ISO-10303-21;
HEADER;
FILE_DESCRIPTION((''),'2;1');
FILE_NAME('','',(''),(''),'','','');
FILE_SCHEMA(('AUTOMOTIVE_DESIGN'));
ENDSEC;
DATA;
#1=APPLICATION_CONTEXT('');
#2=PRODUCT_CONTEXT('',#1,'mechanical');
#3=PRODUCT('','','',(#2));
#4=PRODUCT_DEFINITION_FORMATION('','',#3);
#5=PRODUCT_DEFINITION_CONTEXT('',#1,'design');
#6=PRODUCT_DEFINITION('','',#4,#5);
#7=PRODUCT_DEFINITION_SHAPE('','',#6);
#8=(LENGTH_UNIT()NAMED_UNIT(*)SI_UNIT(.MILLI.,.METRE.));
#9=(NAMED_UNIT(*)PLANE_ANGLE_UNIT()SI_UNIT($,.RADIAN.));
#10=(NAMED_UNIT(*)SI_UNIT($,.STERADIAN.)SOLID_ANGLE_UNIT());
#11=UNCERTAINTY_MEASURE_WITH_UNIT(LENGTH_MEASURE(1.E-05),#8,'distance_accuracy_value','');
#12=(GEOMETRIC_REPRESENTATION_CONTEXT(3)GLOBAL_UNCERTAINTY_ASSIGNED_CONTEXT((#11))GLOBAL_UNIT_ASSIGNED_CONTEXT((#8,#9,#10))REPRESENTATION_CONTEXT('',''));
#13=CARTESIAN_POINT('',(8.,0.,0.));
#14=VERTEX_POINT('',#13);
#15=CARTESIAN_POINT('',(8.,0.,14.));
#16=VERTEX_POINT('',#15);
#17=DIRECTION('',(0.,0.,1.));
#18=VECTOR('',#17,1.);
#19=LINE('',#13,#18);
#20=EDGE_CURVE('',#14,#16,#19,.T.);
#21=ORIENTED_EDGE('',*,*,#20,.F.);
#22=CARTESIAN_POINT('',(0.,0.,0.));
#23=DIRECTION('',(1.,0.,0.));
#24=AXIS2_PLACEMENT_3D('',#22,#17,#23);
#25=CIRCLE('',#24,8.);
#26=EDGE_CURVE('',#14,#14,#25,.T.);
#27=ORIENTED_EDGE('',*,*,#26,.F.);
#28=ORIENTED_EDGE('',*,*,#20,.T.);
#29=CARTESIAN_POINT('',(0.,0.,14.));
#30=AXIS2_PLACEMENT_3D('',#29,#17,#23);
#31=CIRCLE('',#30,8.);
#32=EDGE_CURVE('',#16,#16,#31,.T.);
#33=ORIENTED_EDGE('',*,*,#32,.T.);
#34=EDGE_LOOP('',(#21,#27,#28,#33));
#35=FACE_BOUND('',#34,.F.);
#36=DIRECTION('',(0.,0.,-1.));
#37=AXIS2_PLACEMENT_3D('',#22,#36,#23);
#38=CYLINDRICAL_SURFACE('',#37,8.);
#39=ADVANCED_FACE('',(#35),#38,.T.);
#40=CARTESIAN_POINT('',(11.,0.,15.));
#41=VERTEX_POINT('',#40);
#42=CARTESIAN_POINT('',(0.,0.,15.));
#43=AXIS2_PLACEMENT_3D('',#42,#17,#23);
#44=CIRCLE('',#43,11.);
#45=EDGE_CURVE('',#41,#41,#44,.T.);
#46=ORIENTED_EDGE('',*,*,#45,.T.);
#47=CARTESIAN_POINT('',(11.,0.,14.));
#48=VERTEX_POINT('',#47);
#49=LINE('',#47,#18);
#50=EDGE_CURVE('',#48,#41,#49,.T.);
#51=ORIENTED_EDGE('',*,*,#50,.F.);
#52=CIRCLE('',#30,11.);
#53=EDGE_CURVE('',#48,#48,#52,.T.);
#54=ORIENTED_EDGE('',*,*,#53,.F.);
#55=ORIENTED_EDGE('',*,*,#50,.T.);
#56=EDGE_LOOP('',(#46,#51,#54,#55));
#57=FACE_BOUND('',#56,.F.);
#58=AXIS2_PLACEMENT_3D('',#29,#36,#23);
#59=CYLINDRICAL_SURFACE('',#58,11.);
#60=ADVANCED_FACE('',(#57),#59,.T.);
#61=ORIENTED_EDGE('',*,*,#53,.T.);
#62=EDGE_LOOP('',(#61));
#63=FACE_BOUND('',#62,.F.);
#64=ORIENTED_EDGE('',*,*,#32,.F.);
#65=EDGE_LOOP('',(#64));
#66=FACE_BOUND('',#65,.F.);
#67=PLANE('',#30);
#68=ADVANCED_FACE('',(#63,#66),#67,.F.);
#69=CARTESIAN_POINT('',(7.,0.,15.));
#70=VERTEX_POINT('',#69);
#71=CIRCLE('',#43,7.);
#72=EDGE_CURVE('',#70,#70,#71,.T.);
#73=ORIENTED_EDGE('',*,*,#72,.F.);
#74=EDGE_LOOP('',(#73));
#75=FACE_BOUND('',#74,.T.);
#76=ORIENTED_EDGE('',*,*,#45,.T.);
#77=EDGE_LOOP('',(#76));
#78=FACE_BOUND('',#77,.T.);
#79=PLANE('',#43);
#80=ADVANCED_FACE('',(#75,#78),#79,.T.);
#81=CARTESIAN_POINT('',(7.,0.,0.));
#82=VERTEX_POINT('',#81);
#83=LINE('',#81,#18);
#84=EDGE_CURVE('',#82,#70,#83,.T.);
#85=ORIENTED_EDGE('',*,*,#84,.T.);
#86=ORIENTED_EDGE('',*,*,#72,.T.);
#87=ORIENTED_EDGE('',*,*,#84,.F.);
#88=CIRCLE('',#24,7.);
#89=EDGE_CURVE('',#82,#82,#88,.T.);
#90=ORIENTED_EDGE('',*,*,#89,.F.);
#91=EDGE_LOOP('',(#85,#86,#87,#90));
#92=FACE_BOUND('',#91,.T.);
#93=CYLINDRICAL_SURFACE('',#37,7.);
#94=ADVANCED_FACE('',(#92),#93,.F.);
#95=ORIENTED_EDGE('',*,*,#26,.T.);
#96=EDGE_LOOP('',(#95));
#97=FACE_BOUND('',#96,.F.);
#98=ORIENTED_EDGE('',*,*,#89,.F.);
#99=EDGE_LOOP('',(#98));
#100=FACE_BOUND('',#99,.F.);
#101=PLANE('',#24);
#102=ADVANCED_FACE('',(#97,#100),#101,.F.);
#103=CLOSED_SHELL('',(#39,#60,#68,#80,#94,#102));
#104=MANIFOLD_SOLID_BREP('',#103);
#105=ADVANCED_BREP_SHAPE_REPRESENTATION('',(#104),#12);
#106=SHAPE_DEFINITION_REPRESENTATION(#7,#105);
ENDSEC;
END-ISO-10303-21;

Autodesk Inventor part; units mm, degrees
ref_plane "YZ Plane" through (0, 0, 0) normal (1, 0, 0) x (0, 1, 0)
ref_plane "XZ Plane" through (0, 0, 0) normal (0, 1, 0) x (-1, 0, 0)
ref_plane "XY Plane" through (0, 0, 0) normal (0, 0, 1) x (1, 0, 0)
sketch "Esquisse1" plane through (0, 0, 0) normal (0, 0, 1) x (1, 0, 0)
  circle A0 centre (0, 0) radius 7
  circle A1 centre (0, 0) radius 8
  dimension "d0" = 14
  dimension "d1" = 16
extrude "Extrusion1" add sketch "Esquisse1" along normal blind 14
sketch "Esquisse2" plane through (0, 0, 14) normal (0, 0, 1) x (1, 0, 0)
  circle A0 centre (0, 0) radius 11
  circle A1 centre (0, 0) radius 7
  dimension "d4" = 22
extrude "Extrusion2" add sketch "Esquisse2" along normal blind 1
sketch "Sketch5" plane through (0, 0, 0) normal (0, 0, -1) x (-1, 0, 0)
  point P0 (0, 0)
properties part number "Coussinets" material "Stainless Steel"
